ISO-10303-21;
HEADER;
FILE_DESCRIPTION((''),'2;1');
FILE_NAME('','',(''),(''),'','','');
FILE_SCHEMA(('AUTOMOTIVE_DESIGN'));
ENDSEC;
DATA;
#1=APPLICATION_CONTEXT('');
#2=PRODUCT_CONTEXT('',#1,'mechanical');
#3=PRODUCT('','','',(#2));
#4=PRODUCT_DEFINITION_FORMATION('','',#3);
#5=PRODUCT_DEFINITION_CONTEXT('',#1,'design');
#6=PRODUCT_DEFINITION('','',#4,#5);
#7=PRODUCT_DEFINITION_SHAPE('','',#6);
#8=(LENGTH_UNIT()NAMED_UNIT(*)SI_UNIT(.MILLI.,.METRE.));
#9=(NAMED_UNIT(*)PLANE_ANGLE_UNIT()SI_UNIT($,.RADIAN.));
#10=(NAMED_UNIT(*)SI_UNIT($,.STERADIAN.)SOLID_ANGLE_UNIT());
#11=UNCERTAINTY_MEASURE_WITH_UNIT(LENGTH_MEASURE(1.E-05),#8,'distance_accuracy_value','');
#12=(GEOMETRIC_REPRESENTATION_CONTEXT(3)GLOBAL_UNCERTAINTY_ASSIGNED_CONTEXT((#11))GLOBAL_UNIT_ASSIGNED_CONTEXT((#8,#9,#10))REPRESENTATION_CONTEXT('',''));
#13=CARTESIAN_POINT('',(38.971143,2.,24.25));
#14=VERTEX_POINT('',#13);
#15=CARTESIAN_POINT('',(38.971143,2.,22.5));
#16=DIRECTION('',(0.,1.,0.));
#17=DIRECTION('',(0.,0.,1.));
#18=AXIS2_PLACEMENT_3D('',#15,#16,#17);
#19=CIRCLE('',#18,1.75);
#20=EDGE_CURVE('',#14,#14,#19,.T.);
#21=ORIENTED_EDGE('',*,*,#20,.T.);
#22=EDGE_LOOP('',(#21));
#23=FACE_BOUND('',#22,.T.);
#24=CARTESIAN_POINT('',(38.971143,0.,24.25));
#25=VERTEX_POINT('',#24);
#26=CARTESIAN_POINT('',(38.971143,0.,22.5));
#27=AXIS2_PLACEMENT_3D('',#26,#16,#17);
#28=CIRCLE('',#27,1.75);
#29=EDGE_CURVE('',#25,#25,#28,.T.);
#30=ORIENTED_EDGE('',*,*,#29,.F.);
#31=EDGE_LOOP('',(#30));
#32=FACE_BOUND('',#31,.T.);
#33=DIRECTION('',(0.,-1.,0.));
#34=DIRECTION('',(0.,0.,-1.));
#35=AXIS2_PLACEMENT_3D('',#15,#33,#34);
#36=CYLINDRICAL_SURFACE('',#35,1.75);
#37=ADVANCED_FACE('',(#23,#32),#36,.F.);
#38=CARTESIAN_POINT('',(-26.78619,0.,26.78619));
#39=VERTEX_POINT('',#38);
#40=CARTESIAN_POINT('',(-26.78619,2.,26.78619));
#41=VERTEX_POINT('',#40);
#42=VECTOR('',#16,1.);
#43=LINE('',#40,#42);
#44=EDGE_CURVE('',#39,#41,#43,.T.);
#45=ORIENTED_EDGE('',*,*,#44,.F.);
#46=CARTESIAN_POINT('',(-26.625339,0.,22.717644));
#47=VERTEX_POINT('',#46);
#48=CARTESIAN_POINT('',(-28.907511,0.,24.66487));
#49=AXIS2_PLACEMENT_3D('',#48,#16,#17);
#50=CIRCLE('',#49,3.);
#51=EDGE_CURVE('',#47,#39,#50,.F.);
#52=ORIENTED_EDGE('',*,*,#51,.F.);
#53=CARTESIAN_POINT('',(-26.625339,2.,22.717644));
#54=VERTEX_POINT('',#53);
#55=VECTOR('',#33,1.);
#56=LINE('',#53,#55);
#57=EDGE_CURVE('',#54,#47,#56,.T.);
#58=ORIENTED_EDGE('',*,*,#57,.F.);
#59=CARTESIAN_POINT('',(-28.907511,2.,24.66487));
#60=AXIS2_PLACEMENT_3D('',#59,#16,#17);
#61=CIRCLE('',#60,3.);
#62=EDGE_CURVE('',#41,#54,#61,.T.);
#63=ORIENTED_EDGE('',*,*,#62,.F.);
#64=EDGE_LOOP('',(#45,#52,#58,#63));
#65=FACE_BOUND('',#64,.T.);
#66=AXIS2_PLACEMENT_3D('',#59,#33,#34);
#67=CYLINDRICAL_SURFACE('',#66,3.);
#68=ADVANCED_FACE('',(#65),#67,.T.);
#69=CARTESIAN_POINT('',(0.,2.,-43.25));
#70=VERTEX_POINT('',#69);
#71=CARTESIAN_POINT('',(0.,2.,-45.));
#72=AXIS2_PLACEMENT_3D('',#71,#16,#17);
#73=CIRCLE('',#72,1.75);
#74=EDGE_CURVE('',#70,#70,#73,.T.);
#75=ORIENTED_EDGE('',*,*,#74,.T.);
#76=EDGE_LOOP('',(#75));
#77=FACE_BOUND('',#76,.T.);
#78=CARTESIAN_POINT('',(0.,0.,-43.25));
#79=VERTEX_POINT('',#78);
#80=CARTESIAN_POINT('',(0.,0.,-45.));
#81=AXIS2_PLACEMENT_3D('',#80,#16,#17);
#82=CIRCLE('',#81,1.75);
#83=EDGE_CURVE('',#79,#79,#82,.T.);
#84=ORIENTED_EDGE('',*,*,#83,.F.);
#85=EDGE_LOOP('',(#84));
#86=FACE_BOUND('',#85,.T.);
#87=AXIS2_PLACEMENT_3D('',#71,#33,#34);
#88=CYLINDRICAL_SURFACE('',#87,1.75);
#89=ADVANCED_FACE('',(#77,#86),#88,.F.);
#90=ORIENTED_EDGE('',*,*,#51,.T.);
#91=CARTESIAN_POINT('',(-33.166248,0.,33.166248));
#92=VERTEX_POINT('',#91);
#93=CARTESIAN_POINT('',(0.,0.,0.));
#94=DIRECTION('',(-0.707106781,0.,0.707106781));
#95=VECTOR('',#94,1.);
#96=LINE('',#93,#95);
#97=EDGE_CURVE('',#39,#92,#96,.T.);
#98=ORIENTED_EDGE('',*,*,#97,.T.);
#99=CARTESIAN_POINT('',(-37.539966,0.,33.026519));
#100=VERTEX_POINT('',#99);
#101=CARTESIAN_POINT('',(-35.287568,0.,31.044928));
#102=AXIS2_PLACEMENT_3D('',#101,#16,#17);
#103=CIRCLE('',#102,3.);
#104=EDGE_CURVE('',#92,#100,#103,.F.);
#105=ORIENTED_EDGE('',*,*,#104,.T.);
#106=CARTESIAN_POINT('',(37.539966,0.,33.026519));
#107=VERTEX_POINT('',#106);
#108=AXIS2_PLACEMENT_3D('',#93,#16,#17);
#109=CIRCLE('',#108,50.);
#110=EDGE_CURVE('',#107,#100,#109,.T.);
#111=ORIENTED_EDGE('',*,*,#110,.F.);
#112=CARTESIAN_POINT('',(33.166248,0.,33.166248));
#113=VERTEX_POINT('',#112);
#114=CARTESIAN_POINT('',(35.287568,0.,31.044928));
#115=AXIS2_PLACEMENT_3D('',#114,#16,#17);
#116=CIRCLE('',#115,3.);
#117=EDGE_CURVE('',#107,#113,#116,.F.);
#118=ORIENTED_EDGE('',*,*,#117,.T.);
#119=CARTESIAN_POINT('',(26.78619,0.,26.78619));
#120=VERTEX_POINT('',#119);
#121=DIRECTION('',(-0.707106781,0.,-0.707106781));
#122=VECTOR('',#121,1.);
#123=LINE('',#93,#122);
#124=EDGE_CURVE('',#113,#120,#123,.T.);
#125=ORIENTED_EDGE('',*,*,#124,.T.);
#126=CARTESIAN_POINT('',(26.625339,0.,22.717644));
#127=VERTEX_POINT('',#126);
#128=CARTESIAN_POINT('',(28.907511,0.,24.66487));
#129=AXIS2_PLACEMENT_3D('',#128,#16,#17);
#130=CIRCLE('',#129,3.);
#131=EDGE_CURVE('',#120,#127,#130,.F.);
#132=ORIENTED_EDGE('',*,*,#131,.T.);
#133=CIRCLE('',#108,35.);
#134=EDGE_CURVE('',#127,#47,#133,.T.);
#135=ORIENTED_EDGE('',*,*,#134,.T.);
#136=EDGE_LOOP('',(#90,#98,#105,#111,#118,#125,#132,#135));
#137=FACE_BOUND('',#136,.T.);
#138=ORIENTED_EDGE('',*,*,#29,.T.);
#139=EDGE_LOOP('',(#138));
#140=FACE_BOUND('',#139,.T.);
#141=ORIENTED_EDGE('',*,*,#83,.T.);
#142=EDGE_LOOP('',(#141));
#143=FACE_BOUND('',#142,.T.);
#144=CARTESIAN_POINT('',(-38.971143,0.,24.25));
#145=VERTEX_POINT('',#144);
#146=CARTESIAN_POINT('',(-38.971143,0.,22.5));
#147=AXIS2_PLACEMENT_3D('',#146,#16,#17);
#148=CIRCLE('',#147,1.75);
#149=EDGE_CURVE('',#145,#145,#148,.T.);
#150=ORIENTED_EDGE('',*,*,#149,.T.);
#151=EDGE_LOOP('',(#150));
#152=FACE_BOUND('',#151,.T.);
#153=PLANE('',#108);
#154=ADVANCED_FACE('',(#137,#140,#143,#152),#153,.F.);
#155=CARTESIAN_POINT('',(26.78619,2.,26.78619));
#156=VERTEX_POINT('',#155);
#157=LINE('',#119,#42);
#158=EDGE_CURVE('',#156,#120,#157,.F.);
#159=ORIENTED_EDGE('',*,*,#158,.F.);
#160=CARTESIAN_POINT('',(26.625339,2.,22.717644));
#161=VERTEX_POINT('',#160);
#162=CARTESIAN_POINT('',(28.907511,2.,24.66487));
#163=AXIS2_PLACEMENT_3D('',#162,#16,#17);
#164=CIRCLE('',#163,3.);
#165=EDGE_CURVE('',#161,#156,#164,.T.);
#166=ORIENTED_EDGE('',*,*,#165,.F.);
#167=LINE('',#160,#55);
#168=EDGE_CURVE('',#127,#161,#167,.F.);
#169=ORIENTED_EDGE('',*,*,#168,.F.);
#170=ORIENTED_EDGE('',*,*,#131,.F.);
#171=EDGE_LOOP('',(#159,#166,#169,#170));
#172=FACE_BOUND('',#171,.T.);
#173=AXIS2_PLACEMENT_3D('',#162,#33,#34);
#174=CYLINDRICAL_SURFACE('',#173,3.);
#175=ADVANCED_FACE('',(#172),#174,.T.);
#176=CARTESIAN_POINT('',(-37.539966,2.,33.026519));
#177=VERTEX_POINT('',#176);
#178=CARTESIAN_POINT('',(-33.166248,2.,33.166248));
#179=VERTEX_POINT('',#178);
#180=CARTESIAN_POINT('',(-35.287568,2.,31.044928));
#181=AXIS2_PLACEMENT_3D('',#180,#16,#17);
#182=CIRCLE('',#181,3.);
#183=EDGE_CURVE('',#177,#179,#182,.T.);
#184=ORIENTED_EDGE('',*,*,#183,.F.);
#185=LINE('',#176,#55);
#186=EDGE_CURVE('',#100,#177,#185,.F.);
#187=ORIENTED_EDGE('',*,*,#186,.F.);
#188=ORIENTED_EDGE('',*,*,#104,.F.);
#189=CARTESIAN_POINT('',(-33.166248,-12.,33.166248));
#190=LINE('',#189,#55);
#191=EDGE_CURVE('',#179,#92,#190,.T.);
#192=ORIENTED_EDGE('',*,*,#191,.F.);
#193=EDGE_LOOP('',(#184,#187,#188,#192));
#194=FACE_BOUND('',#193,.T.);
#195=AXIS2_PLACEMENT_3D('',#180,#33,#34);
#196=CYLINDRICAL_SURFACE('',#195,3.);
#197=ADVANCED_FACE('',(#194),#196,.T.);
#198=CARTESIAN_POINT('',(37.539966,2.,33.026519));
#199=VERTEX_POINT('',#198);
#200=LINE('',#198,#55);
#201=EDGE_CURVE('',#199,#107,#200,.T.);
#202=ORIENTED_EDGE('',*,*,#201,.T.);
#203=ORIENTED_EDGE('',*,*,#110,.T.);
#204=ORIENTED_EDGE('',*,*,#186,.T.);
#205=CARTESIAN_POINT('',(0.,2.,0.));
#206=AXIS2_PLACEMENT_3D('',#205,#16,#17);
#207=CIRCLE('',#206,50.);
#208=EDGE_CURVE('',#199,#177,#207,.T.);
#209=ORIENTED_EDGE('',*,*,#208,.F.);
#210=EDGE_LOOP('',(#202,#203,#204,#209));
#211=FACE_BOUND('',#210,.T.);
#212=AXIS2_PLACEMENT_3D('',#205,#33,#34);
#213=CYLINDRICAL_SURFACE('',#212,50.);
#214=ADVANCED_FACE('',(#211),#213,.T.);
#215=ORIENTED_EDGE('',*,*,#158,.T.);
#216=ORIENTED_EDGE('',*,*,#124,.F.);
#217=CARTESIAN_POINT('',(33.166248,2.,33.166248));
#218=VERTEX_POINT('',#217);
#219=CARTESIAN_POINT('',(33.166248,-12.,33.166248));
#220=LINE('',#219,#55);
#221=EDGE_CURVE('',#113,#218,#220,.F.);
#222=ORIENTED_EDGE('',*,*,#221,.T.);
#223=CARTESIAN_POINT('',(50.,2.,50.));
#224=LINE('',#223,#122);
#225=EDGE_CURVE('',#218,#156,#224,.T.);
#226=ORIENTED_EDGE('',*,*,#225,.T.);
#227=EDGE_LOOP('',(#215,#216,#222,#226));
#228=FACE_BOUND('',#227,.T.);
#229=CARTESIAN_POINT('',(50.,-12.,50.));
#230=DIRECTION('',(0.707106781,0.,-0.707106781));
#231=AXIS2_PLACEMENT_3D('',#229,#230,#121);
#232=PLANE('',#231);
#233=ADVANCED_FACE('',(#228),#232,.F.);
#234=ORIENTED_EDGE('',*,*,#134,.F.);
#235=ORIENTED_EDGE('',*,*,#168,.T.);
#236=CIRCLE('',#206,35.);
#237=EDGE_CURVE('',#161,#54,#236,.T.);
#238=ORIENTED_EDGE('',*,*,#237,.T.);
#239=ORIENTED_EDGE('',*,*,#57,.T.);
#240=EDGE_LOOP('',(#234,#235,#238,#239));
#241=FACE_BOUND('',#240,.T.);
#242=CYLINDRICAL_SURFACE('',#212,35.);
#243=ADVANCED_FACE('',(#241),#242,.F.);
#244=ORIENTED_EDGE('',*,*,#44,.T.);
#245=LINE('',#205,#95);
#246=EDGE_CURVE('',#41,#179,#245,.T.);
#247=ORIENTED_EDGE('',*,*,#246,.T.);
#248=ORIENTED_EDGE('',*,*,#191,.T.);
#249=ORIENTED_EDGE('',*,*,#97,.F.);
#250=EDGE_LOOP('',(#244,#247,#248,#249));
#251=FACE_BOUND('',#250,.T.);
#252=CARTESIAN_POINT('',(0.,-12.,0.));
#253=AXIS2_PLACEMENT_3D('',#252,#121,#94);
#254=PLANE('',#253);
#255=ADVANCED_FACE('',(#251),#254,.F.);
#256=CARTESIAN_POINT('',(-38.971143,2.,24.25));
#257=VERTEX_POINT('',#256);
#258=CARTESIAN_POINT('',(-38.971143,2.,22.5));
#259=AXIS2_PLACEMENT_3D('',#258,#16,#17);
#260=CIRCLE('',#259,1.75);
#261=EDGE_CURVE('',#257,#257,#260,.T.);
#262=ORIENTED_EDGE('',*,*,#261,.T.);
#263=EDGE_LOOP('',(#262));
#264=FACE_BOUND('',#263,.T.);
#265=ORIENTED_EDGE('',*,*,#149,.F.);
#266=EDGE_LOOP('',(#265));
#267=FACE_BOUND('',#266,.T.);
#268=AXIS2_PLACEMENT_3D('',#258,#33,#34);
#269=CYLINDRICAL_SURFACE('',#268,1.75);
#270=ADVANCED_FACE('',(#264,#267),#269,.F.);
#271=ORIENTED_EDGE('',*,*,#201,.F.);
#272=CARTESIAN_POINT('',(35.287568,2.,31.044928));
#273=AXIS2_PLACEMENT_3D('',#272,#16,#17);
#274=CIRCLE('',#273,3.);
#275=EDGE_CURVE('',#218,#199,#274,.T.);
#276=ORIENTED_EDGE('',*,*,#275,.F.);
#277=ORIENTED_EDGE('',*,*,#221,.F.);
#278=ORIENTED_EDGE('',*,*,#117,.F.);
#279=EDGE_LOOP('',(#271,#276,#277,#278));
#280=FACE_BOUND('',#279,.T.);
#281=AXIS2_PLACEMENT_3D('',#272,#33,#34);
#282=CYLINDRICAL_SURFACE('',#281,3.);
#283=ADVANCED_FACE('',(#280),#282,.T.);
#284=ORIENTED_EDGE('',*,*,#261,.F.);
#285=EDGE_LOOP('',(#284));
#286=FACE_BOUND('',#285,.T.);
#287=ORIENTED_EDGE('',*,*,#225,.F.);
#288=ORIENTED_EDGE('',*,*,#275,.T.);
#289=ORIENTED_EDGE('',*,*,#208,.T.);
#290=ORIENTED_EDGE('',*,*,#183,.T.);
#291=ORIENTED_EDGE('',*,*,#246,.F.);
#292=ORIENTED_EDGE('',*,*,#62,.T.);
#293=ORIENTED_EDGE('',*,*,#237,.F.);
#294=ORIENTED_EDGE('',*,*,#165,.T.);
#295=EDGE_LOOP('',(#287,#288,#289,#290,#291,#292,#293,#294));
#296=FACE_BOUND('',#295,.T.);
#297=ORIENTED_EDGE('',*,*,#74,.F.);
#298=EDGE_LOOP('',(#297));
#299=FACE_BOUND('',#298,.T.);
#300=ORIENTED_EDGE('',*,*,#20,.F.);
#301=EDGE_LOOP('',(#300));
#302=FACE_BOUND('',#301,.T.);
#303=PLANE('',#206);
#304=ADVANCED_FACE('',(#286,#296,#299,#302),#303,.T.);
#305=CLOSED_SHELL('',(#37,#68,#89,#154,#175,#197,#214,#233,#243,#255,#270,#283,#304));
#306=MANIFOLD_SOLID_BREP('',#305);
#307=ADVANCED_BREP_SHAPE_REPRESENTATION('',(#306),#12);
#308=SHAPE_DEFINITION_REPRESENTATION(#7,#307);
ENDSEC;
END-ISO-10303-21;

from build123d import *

# Parameters (mm, degrees)
SKETCH1_R           = 50
SKETCH1_R_2         = 35
SKETCH1_R_3         = 1.75
BOSS_EXTRUDE1_DEPTH = 2
CUT_EXTRUDE1_DEPTH  = 14
FILLET1_R           = 3


with BuildPart() as part:
    # Sketch1 → Boss-Extrude1 (new body)
    with BuildSketch(Plane(origin=(0, 0, 0), x_dir=(1, 0, 0), z_dir=(0, 1, 0))):
        with Locations(Location((0, 0, 0), (0, 0, 270))):
            Circle(SKETCH1_R)
        with Locations(Location((0, 0, 0), (0, 0, 270))):
            Circle(SKETCH1_R_2, mode=Mode.SUBTRACT)
        with Locations(Location((0, 45, 0), (0, 0, 270))):
            Circle(SKETCH1_R_3, mode=Mode.SUBTRACT)
        with Locations(Location((38.97114317, -22.5, 0), (0, 0, 270))):
            Circle(SKETCH1_R_3, mode=Mode.SUBTRACT)
        with Locations(Location((-38.97114317, -22.5, 0), (0, 0, 270))):
            Circle(SKETCH1_R_3, mode=Mode.SUBTRACT)
    extrude(amount=BOSS_EXTRUDE1_DEPTH)

    # Sketch2 → Cut-Extrude1 (cut)
    with BuildSketch(Plane(origin=(0, 2, 0), x_dir=(1, 0, 0), z_dir=(0, 1, 0))):
        Polygon((0, 0), (-50, -50), (50, -50), align=None)
    extrude(amount=-CUT_EXTRUDE1_DEPTH, mode=Mode.SUBTRACT)

    # Fillet1
    fillet1_edges = [part.edges().sort_by_distance(p)[0] for p in [
        (-24.748737342, 1, 24.748737342),
        (24.748737342, 1, 24.748737342),
        (35.355339059, 1, 35.355339059),
        (-35.355339059, 1, 35.355339059),
    ]]
    fillet(fillet1_edges, radius=FILLET1_R)


solid = part.part
